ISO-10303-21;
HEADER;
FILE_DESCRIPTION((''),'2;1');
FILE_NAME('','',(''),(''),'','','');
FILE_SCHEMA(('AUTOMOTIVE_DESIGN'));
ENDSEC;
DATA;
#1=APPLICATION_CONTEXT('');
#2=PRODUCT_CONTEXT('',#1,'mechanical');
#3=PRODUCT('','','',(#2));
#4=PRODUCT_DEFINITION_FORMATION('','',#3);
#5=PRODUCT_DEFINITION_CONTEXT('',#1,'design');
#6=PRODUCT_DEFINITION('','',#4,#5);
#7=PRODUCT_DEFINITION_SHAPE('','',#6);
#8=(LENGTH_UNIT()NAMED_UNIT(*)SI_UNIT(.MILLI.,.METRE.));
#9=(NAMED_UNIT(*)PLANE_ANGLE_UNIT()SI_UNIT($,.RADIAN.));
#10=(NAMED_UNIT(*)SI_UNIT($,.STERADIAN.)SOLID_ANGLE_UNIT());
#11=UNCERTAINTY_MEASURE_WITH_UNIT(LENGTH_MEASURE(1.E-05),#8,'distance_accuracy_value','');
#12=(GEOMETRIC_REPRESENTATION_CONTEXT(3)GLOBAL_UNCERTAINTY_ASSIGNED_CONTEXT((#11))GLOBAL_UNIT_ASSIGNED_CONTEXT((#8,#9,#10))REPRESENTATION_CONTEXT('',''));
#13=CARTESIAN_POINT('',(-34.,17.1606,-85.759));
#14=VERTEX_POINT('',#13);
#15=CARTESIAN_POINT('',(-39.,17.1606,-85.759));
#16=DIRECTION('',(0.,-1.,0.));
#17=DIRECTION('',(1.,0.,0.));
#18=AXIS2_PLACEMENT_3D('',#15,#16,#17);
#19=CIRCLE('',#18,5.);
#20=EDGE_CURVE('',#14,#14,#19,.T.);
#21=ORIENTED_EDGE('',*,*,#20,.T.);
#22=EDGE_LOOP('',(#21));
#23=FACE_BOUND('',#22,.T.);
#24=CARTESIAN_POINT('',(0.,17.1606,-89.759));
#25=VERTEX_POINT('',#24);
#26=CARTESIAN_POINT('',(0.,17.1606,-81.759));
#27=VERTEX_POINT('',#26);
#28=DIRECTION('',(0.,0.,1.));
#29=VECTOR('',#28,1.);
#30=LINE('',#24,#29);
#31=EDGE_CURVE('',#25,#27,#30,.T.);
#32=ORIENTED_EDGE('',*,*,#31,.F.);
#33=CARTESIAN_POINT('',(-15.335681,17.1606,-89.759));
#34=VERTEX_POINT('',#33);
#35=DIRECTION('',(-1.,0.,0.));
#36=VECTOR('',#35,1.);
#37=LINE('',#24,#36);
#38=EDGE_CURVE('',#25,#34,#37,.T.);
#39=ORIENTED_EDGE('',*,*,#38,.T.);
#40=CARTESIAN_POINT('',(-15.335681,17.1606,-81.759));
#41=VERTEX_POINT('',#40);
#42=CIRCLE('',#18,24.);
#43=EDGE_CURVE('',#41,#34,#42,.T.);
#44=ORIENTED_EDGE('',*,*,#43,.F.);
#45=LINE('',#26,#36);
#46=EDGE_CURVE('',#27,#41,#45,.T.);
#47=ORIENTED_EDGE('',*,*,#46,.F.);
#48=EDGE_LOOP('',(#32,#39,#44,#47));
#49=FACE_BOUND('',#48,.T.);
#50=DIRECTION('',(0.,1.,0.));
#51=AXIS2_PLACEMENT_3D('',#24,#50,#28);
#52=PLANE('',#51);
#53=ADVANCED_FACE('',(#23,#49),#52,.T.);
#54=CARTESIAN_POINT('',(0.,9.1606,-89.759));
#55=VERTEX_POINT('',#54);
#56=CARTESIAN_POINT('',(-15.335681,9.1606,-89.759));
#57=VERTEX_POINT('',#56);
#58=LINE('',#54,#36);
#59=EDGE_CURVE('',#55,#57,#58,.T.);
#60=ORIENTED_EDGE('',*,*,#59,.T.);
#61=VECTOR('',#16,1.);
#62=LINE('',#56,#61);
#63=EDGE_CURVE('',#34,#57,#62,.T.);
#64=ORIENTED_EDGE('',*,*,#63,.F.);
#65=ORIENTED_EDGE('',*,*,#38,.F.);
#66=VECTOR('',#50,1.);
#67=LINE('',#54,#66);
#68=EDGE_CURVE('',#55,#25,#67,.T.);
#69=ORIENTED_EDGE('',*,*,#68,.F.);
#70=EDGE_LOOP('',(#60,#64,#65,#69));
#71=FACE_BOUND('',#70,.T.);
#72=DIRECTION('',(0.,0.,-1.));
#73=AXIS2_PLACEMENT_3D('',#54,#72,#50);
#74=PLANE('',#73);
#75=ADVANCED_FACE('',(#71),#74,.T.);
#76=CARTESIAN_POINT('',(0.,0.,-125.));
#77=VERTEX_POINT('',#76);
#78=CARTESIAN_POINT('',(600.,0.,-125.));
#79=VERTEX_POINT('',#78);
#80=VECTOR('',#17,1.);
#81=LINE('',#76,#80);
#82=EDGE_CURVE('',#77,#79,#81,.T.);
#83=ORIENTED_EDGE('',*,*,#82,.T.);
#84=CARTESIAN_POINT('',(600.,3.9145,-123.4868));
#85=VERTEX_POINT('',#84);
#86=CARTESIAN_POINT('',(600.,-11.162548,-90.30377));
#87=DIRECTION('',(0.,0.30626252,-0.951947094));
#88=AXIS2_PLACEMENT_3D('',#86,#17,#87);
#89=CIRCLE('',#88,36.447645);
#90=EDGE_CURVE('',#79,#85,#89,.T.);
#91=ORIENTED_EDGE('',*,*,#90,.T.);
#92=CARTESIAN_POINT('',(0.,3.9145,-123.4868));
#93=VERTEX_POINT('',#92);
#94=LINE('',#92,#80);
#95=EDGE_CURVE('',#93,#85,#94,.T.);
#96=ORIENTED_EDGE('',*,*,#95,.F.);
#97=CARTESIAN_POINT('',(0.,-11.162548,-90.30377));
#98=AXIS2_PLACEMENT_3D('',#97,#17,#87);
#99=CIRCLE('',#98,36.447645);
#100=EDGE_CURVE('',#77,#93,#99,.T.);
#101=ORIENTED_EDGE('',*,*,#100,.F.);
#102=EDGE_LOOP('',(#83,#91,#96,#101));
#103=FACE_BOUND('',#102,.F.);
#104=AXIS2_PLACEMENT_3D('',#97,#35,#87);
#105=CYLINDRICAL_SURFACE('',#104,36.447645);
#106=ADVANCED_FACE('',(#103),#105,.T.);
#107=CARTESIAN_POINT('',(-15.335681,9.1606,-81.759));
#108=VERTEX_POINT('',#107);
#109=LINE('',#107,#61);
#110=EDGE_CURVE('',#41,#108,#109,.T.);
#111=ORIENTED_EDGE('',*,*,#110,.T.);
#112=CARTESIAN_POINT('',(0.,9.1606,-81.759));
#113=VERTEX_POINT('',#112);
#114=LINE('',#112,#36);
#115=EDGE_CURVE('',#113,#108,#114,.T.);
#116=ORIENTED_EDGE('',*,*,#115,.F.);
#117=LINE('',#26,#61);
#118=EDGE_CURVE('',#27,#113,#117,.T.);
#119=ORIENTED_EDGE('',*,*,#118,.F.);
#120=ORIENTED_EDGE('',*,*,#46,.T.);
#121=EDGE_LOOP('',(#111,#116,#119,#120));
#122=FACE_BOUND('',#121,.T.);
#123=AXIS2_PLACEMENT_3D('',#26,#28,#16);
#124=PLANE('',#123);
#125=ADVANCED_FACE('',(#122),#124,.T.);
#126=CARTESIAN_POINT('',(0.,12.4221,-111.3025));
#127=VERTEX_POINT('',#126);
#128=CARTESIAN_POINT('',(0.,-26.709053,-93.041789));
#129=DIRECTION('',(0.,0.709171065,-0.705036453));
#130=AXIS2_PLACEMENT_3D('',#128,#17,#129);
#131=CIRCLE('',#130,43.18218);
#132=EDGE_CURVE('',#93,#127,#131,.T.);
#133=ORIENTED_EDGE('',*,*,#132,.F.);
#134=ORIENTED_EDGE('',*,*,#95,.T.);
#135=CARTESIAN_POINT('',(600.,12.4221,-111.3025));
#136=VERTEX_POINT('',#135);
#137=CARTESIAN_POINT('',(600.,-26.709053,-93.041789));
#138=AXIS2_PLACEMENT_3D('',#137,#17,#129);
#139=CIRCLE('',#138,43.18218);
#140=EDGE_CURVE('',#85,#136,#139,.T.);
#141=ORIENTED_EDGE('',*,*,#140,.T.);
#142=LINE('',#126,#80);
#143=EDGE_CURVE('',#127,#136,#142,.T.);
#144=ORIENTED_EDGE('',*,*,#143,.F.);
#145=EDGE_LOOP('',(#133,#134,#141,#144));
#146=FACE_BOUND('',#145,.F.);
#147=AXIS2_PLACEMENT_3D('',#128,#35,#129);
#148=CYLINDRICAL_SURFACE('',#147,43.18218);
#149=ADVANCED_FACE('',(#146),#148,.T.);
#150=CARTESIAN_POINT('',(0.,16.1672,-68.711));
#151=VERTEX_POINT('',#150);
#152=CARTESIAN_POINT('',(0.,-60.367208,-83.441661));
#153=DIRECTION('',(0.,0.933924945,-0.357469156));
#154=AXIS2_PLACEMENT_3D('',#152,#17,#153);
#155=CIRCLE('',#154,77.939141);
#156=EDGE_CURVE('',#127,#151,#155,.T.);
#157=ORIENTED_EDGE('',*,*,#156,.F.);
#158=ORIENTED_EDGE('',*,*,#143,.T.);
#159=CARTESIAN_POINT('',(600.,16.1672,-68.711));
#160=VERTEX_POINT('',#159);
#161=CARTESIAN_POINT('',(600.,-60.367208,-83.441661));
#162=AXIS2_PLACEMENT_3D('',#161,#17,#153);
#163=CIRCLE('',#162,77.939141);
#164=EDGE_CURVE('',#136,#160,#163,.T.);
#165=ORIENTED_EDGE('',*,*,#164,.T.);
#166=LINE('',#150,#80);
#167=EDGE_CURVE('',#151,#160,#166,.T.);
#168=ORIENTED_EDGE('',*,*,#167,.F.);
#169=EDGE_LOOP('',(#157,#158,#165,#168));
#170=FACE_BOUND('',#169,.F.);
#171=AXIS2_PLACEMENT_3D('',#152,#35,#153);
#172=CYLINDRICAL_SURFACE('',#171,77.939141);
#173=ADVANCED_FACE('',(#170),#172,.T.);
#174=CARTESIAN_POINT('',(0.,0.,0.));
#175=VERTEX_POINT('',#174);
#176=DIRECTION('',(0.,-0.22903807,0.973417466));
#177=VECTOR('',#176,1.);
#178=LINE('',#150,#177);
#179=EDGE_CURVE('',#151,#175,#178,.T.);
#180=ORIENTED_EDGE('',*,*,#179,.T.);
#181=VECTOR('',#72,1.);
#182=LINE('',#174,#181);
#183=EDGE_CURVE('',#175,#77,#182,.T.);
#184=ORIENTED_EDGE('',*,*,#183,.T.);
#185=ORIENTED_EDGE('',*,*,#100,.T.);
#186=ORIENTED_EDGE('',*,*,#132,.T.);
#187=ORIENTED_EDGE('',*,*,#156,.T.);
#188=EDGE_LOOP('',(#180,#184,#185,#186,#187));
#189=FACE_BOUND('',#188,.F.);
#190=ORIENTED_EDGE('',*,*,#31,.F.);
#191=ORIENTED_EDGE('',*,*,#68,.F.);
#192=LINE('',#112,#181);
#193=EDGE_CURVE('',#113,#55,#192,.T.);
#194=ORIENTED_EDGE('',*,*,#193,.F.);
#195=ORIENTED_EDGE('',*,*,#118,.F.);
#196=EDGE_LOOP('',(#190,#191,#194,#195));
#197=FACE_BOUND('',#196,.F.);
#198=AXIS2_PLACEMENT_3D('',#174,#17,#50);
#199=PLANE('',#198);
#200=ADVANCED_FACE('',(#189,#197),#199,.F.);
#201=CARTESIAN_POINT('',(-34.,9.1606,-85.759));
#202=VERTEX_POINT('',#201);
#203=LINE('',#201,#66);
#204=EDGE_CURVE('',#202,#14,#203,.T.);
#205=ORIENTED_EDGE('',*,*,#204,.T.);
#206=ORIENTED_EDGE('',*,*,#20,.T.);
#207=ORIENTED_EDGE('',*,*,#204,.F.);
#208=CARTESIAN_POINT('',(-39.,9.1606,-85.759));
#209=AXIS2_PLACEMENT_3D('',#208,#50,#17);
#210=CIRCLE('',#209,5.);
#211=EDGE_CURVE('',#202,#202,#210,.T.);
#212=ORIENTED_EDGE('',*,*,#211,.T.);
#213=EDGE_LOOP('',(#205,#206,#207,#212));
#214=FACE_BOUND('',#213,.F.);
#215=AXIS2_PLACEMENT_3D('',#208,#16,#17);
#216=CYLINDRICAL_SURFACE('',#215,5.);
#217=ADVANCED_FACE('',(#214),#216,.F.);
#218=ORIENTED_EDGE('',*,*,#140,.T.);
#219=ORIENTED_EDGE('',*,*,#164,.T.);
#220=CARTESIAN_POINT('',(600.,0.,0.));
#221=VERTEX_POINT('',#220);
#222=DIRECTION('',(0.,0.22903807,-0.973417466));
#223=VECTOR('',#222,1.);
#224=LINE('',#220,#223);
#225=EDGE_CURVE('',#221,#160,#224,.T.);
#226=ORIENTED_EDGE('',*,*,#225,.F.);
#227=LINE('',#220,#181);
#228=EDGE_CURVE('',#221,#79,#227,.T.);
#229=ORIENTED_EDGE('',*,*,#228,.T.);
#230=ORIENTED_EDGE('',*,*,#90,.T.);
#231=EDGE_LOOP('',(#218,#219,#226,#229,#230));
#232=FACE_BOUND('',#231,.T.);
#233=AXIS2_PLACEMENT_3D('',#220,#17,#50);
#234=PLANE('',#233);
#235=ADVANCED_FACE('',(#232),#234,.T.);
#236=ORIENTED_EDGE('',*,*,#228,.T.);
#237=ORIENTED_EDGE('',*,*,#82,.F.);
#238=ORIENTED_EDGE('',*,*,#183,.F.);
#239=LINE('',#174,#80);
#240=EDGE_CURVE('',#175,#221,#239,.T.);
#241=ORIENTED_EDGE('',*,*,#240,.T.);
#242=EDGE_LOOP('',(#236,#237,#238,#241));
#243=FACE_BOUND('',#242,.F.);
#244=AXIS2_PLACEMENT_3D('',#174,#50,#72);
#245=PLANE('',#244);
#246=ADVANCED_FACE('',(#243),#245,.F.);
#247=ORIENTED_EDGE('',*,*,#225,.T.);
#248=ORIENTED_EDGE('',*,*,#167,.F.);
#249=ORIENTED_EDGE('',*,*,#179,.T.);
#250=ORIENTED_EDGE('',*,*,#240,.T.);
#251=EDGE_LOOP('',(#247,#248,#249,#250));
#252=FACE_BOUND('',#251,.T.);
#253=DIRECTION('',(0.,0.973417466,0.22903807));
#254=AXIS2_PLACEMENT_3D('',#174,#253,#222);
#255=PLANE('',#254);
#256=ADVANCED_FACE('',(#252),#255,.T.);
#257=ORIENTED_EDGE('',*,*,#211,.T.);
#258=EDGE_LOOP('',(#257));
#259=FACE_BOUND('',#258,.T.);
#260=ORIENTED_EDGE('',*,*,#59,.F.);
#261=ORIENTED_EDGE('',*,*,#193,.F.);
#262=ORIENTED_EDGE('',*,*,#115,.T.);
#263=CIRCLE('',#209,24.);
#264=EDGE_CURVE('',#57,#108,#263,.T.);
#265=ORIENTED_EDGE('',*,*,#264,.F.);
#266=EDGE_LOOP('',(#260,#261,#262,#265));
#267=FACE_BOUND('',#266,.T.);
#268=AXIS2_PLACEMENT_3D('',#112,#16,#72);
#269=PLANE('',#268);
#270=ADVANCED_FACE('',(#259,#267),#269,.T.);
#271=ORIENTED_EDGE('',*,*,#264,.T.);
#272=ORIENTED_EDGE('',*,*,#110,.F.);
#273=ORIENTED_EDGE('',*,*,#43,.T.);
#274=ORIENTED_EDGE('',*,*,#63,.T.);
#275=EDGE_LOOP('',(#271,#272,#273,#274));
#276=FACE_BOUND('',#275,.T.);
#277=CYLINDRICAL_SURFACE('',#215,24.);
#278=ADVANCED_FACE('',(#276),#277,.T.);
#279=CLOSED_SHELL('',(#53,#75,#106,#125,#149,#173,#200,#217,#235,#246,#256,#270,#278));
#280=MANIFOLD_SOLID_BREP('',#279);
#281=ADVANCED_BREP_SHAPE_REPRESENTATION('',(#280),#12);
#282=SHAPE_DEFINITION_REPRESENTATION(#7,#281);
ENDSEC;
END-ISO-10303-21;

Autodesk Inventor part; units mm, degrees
ref_plane "YZ Plane" through (0, 0, 0) normal (1, 0, 0) x (0, 1, 0)
ref_plane "XZ Plane" through (0, 0, 0) normal (0, 1, 0) x (-1, 0, 0)
ref_plane "XY Plane" through (0, 0, 0) normal (0, 0, 1) x (1, 0, 0)
sketch "Sketch1" plane through (0, 0, 0) normal (1, 0, 0) x (0, 1, 0)
  line L0 (0, 0) -> (0, -125)
  arc A0 (0, -125) -> (3.9145, -123.4868) centre (-11.1642, -90.2991) ccw
  arc A1 (12.4221, -111.3025) -> (14.7058, -62.5) centre (-60.3675, -83.4416) ccw
  line L1 (0, 0) -> (16.1672, -68.711)
  arc A2 (3.9145, -123.4868) -> (12.4221, -111.3025) centre (-26.7088, -93.042) ccw
  dimension "d0" = 125
extrude "Extrusion1" add sketch "Sketch1" along normal blind 600 contours L1 A1 A2 A0 L0
sketch "Sketch2" plane through (0, 0, 0) normal (-1, 0, 0) x (0, 0, 1)
  line L0 (0, 0) -> (-125, 0) projected
  line L1 (-89.759, 17.1606) -> (-81.759, 17.1606)
  line L2 (-81.759, 17.1606) -> (-81.759, 9.1606)
  line L3 (-81.759, 9.1606) -> (-89.759, 9.1606)
  line L4 (-89.759, 9.1606) -> (-89.759, 17.1606)
  line L5 (-89.759, 17.1606) -> (-81.759, 9.1606) construction
  line L6 (-81.759, 17.1606) -> (-89.759, 9.1606) construction
  dimension "d3" = 8
  dimension "d4" = 8
extrude "Extrusion2" add sketch "Sketch2" along normal blind 48
sketch "Sketch3" plane through (0, 9.1606, -89.759) normal (0, -1, 0) x (1, 0, 0)
  point P0 (0, 89.759)
sketch "Sketch4" plane through (0, 0, 0) normal (0, 0.9734, 0.229) x (1, 0, 0)
  point P0 (0, 0)
sketch "Sketch5" plane through (0, 9.1606, -89.759) normal (0, -1, 0) x (1, 0, 0)
  line L0 (0, 0) -> (-48, 0) projected
  line L1 (0, 0) -> (-39, 0)
  line L2 (-39, 0) -> (-39, 4)
  line L3 (-39, 4) -> (0, 4)
  line L4 (0, 4) -> (0, 0)
  circle A0 centre (-39, 4) radius 24
  circle A1 centre (-39, 4) radius 5
  point P0 (0, 89.759)
  dimension "d7" = 39
  dimension "d8" = 4
  dimension "d9" = 48
  dimension "d12" = 10
extrude "Extrusion3" add sketch "Sketch5" against normal blind 8 contours A0 L3 A1 L0 | L0 A1 L3 A0 | A1 L0 | L0 L2 L3 A1 | L0 A1 L3 L2
sketch "Sketch6" plane through (0, 17.1606, -81.759) normal (0, 1, 0) x (1, 0, 0)
  point P0 (0, -81.759)
sketch "Sketch7" plane through (0, 9.1606, -89.759) normal (0, -1, 0) x (1, 0, 0)
  point P0 (0, 89.759)
sketch "Sketch8" plane through (0, 9.1606, -89.759) normal (0, -1, 0) x (1, 0, 0)
  line L0 (0, 8) -> (0, 0) projected
  line L1 (0, 0) -> (-39, 0)
  line L2 (-39, 0) -> (-39, 4)
  line L3 (-39, 4) -> (0, 4)
  line L4 (0, 4) -> (0, 0)
  circle A0 centre (-39, 4) radius 5
  point P0 (0, 89.759)
  dimension "d13" = 39
  dimension "d14" = 4
  dimension "d15" = 10
extrude "Extrusion4" cut sketch "Sketch8" against normal blind 8 contours A0 L1 L2 L3 | L3 L2 L1 A0
properties part number "R wing"
